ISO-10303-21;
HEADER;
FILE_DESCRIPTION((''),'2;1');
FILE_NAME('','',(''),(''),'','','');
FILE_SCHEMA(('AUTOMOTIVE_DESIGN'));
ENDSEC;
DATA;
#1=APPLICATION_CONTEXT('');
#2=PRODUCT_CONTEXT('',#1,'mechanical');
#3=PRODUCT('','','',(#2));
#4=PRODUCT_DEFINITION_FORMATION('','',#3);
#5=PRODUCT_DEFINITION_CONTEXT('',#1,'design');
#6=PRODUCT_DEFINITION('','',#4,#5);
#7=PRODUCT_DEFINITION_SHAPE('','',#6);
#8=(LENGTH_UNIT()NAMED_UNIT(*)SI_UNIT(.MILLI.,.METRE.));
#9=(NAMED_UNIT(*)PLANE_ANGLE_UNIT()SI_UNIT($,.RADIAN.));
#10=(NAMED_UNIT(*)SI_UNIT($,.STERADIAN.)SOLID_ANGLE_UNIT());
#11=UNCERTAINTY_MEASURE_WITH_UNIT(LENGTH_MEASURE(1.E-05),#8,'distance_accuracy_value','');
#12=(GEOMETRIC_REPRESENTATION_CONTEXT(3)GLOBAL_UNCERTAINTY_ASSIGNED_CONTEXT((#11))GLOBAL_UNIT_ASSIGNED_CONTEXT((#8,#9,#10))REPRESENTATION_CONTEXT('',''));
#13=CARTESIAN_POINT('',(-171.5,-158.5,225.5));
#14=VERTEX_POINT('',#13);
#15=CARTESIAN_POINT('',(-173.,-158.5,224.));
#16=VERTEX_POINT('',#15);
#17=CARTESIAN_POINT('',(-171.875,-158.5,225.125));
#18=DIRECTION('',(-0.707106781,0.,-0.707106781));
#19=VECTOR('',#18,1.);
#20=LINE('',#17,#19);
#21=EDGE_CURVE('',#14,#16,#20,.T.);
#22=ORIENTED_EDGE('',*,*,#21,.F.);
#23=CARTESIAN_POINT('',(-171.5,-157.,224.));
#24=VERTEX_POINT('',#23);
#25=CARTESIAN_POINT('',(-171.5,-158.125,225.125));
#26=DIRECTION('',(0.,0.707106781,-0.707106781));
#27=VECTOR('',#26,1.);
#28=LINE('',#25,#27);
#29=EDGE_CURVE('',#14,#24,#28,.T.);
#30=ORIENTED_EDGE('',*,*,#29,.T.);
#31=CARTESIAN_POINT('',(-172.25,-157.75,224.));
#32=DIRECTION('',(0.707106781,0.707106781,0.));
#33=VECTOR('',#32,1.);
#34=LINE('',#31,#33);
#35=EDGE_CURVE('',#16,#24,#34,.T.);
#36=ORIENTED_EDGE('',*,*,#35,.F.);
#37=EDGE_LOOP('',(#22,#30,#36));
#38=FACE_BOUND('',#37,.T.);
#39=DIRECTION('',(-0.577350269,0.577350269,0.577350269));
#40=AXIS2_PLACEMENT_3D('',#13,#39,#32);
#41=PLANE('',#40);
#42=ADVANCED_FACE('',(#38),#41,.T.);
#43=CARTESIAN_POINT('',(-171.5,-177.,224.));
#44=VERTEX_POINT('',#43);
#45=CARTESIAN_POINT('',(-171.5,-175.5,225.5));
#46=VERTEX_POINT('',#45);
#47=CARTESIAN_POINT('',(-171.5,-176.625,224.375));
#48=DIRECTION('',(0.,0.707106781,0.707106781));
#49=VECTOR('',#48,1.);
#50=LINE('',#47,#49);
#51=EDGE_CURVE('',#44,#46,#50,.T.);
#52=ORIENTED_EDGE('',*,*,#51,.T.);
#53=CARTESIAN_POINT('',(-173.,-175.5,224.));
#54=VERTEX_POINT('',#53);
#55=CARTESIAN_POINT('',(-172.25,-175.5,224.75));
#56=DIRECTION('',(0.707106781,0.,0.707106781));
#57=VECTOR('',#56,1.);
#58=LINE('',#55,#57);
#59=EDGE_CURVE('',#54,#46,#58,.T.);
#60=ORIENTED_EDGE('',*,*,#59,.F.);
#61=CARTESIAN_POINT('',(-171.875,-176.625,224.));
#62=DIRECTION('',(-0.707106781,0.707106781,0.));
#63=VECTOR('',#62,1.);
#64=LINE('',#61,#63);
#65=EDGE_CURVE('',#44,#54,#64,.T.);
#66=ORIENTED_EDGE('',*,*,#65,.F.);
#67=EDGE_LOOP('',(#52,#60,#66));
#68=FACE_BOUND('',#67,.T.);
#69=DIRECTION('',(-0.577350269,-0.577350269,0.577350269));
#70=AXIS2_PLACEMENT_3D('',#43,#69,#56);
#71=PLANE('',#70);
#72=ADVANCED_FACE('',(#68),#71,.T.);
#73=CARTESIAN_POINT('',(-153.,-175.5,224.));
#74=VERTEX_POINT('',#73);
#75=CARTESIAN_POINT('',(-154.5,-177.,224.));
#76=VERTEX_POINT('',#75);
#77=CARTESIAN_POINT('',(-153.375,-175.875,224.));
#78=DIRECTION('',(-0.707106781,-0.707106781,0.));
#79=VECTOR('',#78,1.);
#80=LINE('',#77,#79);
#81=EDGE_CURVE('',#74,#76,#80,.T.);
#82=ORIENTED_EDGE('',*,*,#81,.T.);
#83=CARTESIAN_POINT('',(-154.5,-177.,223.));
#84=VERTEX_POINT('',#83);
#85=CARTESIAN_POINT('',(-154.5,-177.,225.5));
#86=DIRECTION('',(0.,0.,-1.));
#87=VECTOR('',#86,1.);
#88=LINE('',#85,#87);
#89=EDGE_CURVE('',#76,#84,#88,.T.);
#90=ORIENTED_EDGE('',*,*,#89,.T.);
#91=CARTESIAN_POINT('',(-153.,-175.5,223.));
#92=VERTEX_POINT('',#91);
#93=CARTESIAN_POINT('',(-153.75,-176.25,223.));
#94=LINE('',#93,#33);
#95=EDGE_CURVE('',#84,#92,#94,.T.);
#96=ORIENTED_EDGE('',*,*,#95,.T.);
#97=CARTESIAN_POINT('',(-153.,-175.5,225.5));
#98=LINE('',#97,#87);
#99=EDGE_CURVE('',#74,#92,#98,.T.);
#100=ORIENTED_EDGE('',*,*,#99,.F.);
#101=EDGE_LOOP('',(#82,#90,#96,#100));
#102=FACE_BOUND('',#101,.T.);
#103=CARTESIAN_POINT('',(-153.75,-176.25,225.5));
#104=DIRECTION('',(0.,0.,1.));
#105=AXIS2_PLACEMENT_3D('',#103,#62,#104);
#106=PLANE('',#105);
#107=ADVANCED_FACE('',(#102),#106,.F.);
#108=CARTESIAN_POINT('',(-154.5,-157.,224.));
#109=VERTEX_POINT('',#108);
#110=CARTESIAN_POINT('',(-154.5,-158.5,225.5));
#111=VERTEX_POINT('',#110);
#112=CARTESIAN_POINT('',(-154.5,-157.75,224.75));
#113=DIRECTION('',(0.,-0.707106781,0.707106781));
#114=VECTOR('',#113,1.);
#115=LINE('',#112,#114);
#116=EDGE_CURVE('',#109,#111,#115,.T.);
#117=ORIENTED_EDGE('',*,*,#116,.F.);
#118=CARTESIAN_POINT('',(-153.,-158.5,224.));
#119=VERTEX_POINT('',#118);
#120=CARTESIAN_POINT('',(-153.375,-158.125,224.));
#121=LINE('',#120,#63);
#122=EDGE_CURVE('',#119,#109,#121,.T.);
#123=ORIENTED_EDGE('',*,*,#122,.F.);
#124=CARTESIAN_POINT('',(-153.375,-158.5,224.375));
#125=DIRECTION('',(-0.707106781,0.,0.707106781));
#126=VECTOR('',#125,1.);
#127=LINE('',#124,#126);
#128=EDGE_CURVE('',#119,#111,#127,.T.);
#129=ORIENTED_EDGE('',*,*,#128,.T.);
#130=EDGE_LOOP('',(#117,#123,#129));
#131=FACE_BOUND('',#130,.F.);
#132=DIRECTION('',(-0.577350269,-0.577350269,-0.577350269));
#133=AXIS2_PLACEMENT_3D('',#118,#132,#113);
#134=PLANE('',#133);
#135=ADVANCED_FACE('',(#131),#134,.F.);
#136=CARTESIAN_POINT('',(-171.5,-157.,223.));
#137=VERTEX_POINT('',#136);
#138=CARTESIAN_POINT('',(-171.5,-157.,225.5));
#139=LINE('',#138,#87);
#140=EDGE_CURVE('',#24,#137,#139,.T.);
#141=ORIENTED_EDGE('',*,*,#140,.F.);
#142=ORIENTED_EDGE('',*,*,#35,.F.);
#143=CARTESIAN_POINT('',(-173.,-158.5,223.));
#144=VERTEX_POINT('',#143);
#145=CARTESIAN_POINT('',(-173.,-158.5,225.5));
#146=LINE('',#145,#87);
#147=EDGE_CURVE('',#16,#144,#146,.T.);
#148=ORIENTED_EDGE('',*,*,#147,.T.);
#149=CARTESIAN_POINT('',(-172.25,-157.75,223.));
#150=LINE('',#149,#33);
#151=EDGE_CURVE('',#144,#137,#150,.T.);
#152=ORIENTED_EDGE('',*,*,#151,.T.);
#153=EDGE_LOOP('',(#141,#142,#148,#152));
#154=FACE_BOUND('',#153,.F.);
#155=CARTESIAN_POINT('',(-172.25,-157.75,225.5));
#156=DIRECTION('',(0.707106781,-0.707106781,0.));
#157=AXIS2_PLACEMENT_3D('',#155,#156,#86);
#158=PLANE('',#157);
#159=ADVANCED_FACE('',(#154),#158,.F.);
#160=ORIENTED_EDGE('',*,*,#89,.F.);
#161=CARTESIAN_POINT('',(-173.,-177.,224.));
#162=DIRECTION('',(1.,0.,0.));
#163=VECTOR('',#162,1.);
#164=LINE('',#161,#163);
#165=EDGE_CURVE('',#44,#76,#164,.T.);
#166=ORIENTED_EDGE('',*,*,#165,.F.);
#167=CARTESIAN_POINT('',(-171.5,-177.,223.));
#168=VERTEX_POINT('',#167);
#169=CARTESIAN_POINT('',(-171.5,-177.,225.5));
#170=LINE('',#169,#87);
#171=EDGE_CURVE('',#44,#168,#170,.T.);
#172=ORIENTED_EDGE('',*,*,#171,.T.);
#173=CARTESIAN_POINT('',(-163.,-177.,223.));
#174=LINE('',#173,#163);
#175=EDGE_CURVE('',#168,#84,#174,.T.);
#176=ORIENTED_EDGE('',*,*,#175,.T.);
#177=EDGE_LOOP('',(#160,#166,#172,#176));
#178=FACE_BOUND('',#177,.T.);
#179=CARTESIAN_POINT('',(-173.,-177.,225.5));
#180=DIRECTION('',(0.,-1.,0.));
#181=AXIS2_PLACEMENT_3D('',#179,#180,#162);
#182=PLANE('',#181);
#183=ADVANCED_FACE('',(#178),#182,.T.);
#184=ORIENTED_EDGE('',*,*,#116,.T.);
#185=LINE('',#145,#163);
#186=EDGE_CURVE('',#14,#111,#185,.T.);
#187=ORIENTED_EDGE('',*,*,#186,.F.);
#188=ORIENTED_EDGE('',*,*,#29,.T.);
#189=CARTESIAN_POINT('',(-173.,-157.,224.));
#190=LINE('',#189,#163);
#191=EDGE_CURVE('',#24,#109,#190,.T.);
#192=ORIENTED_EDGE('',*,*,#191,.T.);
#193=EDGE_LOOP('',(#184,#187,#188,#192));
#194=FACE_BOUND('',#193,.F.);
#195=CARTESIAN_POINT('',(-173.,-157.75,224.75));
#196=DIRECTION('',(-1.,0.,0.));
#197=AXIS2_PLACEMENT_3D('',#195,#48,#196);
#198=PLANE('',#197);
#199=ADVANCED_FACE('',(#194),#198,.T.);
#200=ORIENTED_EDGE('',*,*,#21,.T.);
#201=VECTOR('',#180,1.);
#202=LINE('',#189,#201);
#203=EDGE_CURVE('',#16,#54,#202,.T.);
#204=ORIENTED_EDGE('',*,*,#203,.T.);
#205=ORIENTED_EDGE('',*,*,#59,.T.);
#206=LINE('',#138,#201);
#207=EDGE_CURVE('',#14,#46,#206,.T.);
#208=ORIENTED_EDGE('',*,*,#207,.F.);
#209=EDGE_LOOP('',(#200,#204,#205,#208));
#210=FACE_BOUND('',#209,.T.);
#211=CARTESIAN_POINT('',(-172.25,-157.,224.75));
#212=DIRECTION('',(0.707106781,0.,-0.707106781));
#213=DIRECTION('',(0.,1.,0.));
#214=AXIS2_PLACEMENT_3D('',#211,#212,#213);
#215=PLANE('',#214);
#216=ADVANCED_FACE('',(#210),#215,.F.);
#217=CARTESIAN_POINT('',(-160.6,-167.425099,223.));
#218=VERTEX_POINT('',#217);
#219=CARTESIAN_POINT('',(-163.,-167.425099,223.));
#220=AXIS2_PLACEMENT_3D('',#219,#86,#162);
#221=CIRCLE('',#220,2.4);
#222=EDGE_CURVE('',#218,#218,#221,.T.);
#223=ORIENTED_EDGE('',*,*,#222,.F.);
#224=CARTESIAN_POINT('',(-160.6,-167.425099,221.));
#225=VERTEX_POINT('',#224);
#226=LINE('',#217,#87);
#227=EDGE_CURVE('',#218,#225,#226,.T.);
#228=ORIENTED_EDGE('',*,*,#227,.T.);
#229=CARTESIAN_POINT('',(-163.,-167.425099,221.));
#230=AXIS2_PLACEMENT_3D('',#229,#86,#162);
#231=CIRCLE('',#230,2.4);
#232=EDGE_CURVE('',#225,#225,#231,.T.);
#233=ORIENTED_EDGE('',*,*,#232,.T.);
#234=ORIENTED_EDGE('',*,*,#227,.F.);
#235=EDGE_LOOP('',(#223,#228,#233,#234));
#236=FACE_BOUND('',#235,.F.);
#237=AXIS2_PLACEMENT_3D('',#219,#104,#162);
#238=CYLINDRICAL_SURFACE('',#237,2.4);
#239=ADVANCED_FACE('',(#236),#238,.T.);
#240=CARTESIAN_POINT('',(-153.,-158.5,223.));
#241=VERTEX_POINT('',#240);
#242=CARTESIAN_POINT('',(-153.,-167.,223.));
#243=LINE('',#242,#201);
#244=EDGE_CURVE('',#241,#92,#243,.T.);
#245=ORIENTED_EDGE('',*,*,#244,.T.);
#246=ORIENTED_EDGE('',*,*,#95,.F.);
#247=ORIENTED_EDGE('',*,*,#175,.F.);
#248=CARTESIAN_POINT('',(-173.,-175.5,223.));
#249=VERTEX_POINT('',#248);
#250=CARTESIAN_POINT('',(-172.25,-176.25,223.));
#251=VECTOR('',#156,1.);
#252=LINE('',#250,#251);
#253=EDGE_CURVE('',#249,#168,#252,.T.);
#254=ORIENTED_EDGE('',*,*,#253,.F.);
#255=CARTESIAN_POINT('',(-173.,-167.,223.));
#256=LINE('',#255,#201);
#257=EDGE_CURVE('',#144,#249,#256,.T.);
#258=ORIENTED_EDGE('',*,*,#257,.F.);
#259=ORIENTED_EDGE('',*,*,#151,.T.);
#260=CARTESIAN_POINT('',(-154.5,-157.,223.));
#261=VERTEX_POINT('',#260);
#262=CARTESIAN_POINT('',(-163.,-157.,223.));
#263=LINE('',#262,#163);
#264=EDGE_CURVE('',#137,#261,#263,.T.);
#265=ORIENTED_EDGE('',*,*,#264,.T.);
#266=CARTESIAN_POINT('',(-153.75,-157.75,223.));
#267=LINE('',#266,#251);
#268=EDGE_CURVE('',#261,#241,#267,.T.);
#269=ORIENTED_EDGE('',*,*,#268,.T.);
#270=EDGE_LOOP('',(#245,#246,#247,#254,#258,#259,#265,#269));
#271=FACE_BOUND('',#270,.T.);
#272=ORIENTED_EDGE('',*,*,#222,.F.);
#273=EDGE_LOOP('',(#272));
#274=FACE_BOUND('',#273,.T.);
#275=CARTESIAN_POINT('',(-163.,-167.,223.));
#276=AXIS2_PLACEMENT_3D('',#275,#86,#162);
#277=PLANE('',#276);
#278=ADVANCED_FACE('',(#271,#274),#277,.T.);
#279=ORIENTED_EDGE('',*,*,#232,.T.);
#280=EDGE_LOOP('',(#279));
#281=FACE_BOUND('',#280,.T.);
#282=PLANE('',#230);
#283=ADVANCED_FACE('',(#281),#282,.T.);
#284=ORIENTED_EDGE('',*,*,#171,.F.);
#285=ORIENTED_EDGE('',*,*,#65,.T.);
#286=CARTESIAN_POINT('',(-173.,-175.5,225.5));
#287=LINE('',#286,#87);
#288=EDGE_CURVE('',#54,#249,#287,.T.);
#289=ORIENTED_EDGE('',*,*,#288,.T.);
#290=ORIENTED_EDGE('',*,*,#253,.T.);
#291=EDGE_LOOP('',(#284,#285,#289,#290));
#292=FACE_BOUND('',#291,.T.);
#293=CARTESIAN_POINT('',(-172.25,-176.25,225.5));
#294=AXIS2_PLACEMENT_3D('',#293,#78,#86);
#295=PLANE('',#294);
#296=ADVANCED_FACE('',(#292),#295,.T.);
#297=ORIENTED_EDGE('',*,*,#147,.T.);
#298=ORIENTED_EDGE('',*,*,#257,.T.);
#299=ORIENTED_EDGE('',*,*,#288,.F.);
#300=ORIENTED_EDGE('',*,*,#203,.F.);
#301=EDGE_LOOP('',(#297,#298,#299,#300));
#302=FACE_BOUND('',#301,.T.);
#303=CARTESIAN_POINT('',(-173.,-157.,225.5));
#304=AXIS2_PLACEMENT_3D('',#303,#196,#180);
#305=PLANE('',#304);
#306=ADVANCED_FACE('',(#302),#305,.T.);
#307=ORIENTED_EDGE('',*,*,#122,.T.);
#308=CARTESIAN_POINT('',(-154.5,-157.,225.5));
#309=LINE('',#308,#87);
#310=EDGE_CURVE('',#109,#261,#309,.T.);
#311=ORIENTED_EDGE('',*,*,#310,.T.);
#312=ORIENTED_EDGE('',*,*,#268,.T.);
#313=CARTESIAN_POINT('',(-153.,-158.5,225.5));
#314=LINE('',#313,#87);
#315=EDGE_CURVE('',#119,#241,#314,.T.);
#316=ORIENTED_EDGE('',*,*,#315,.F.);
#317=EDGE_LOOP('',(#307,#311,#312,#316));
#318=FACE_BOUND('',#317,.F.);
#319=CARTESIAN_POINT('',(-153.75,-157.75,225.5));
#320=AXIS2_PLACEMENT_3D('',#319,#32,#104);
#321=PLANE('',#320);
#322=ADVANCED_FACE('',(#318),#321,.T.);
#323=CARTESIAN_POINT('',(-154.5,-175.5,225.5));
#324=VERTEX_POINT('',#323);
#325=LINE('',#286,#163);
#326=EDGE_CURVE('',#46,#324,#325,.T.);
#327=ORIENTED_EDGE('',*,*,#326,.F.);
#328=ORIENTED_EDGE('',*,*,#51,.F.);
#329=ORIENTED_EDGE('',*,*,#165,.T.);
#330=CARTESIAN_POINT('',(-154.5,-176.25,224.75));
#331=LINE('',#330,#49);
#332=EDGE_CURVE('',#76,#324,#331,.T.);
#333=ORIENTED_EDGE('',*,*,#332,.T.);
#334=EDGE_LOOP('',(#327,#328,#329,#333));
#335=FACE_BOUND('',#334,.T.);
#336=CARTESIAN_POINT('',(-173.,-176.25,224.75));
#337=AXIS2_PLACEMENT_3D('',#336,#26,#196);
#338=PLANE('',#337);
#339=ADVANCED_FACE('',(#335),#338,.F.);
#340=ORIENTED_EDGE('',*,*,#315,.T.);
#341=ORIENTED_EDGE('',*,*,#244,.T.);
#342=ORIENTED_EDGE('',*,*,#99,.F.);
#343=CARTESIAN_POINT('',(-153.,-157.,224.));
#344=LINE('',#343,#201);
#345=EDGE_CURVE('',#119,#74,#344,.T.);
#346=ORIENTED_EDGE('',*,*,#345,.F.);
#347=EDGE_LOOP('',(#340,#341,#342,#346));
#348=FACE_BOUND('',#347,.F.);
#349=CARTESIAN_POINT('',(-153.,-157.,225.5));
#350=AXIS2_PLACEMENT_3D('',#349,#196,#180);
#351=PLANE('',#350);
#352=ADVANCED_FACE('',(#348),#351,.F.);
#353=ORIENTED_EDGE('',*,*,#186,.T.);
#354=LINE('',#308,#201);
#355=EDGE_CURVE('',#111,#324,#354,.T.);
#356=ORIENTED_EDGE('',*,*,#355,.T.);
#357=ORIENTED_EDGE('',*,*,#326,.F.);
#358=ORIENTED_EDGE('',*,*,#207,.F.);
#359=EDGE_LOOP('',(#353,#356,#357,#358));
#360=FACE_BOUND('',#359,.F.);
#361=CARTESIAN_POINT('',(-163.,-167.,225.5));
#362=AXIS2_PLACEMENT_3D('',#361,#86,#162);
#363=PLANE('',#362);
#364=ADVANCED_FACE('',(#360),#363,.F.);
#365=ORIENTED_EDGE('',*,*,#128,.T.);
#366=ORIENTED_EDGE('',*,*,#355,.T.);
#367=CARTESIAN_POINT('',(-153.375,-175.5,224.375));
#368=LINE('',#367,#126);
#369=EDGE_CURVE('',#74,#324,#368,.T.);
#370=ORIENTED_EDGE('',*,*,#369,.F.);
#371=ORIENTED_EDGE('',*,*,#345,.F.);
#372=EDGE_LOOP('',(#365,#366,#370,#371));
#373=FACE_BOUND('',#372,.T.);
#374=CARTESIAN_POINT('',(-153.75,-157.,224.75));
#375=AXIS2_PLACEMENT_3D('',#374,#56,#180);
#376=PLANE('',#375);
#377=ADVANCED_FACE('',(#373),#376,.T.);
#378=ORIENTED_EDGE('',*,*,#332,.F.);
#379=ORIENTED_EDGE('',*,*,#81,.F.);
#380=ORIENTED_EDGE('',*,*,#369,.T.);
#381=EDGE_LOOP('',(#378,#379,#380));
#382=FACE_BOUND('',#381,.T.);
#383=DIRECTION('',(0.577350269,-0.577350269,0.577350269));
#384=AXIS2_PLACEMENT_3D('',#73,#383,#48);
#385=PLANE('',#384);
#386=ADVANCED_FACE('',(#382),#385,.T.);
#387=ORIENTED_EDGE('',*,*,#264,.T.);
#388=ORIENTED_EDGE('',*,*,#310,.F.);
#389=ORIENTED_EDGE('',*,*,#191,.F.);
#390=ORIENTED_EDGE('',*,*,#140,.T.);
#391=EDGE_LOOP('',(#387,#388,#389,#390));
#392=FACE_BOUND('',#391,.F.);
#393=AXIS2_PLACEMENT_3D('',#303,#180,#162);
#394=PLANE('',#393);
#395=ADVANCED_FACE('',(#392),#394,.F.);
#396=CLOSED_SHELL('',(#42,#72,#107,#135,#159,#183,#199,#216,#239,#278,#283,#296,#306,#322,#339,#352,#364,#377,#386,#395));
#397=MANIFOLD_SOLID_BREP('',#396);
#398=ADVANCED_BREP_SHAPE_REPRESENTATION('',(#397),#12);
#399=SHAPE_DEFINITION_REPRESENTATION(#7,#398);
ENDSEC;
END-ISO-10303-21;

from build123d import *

# Parameters (mm, degrees)
BOX063_W                   = 20
BOX063_H                   = 20
BOX063_DEPTH               = 2.5
SKETCH051_R                = 2.4
PAD018_DEPTH               = 2
CHAMFER003_SIZE            = 1.5
CHAMFER003_PLACEMENT_ANGLE = 180


with BuildPart() as cubo046:
    # Box063 → Box063 (new body)
    with BuildSketch(Plane.XY):
        with Locations((10, 10)):
            Rectangle(BOX063_W, BOX063_H)
    extrude(amount=BOX063_DEPTH)


with BuildPart() as pad018:
    # Pad018 base: copy of Cubo046
    add(cubo046.part)

    # Sketch051 → Pad018 (new body)
    with BuildSketch(Plane.XY.offset(2.5)):
        with Locations((10, 10.425099)):
            Circle(SKETCH051_R)
    extrude(amount=PAD018_DEPTH)


with BuildPart() as chamfer003:
    # Fusion039 base: copy of Cubo046
    add(cubo046.part)

    # Fusion039: union Pad018
    add(pad018.part)

    # Chamfer003
    chamfer003_edges = [chamfer003.edges().sort_by_distance(p)[0] for p in [
        (0, 0, 1.25),
        (0, 10, 0),
        (0, 20, 1.25),
        (10, 0, 0),
        (20, 0, 1.25),
        (10, 20, 0),
        (20, 20, 1.25),
        (20, 10, 0),
    ]]
    chamfer(chamfer003_edges, length=CHAMFER003_SIZE)


with BuildPart() as chamfer003_1:
    # Chamfer003 placement: moved
    add(chamfer003.part.moved(Location((-173, -157, 225.5))).rotate(Axis((-173, -157, 225.5), (1, 0, 0)), CHAMFER003_PLACEMENT_ANGLE))


solid = chamfer003_1.part
